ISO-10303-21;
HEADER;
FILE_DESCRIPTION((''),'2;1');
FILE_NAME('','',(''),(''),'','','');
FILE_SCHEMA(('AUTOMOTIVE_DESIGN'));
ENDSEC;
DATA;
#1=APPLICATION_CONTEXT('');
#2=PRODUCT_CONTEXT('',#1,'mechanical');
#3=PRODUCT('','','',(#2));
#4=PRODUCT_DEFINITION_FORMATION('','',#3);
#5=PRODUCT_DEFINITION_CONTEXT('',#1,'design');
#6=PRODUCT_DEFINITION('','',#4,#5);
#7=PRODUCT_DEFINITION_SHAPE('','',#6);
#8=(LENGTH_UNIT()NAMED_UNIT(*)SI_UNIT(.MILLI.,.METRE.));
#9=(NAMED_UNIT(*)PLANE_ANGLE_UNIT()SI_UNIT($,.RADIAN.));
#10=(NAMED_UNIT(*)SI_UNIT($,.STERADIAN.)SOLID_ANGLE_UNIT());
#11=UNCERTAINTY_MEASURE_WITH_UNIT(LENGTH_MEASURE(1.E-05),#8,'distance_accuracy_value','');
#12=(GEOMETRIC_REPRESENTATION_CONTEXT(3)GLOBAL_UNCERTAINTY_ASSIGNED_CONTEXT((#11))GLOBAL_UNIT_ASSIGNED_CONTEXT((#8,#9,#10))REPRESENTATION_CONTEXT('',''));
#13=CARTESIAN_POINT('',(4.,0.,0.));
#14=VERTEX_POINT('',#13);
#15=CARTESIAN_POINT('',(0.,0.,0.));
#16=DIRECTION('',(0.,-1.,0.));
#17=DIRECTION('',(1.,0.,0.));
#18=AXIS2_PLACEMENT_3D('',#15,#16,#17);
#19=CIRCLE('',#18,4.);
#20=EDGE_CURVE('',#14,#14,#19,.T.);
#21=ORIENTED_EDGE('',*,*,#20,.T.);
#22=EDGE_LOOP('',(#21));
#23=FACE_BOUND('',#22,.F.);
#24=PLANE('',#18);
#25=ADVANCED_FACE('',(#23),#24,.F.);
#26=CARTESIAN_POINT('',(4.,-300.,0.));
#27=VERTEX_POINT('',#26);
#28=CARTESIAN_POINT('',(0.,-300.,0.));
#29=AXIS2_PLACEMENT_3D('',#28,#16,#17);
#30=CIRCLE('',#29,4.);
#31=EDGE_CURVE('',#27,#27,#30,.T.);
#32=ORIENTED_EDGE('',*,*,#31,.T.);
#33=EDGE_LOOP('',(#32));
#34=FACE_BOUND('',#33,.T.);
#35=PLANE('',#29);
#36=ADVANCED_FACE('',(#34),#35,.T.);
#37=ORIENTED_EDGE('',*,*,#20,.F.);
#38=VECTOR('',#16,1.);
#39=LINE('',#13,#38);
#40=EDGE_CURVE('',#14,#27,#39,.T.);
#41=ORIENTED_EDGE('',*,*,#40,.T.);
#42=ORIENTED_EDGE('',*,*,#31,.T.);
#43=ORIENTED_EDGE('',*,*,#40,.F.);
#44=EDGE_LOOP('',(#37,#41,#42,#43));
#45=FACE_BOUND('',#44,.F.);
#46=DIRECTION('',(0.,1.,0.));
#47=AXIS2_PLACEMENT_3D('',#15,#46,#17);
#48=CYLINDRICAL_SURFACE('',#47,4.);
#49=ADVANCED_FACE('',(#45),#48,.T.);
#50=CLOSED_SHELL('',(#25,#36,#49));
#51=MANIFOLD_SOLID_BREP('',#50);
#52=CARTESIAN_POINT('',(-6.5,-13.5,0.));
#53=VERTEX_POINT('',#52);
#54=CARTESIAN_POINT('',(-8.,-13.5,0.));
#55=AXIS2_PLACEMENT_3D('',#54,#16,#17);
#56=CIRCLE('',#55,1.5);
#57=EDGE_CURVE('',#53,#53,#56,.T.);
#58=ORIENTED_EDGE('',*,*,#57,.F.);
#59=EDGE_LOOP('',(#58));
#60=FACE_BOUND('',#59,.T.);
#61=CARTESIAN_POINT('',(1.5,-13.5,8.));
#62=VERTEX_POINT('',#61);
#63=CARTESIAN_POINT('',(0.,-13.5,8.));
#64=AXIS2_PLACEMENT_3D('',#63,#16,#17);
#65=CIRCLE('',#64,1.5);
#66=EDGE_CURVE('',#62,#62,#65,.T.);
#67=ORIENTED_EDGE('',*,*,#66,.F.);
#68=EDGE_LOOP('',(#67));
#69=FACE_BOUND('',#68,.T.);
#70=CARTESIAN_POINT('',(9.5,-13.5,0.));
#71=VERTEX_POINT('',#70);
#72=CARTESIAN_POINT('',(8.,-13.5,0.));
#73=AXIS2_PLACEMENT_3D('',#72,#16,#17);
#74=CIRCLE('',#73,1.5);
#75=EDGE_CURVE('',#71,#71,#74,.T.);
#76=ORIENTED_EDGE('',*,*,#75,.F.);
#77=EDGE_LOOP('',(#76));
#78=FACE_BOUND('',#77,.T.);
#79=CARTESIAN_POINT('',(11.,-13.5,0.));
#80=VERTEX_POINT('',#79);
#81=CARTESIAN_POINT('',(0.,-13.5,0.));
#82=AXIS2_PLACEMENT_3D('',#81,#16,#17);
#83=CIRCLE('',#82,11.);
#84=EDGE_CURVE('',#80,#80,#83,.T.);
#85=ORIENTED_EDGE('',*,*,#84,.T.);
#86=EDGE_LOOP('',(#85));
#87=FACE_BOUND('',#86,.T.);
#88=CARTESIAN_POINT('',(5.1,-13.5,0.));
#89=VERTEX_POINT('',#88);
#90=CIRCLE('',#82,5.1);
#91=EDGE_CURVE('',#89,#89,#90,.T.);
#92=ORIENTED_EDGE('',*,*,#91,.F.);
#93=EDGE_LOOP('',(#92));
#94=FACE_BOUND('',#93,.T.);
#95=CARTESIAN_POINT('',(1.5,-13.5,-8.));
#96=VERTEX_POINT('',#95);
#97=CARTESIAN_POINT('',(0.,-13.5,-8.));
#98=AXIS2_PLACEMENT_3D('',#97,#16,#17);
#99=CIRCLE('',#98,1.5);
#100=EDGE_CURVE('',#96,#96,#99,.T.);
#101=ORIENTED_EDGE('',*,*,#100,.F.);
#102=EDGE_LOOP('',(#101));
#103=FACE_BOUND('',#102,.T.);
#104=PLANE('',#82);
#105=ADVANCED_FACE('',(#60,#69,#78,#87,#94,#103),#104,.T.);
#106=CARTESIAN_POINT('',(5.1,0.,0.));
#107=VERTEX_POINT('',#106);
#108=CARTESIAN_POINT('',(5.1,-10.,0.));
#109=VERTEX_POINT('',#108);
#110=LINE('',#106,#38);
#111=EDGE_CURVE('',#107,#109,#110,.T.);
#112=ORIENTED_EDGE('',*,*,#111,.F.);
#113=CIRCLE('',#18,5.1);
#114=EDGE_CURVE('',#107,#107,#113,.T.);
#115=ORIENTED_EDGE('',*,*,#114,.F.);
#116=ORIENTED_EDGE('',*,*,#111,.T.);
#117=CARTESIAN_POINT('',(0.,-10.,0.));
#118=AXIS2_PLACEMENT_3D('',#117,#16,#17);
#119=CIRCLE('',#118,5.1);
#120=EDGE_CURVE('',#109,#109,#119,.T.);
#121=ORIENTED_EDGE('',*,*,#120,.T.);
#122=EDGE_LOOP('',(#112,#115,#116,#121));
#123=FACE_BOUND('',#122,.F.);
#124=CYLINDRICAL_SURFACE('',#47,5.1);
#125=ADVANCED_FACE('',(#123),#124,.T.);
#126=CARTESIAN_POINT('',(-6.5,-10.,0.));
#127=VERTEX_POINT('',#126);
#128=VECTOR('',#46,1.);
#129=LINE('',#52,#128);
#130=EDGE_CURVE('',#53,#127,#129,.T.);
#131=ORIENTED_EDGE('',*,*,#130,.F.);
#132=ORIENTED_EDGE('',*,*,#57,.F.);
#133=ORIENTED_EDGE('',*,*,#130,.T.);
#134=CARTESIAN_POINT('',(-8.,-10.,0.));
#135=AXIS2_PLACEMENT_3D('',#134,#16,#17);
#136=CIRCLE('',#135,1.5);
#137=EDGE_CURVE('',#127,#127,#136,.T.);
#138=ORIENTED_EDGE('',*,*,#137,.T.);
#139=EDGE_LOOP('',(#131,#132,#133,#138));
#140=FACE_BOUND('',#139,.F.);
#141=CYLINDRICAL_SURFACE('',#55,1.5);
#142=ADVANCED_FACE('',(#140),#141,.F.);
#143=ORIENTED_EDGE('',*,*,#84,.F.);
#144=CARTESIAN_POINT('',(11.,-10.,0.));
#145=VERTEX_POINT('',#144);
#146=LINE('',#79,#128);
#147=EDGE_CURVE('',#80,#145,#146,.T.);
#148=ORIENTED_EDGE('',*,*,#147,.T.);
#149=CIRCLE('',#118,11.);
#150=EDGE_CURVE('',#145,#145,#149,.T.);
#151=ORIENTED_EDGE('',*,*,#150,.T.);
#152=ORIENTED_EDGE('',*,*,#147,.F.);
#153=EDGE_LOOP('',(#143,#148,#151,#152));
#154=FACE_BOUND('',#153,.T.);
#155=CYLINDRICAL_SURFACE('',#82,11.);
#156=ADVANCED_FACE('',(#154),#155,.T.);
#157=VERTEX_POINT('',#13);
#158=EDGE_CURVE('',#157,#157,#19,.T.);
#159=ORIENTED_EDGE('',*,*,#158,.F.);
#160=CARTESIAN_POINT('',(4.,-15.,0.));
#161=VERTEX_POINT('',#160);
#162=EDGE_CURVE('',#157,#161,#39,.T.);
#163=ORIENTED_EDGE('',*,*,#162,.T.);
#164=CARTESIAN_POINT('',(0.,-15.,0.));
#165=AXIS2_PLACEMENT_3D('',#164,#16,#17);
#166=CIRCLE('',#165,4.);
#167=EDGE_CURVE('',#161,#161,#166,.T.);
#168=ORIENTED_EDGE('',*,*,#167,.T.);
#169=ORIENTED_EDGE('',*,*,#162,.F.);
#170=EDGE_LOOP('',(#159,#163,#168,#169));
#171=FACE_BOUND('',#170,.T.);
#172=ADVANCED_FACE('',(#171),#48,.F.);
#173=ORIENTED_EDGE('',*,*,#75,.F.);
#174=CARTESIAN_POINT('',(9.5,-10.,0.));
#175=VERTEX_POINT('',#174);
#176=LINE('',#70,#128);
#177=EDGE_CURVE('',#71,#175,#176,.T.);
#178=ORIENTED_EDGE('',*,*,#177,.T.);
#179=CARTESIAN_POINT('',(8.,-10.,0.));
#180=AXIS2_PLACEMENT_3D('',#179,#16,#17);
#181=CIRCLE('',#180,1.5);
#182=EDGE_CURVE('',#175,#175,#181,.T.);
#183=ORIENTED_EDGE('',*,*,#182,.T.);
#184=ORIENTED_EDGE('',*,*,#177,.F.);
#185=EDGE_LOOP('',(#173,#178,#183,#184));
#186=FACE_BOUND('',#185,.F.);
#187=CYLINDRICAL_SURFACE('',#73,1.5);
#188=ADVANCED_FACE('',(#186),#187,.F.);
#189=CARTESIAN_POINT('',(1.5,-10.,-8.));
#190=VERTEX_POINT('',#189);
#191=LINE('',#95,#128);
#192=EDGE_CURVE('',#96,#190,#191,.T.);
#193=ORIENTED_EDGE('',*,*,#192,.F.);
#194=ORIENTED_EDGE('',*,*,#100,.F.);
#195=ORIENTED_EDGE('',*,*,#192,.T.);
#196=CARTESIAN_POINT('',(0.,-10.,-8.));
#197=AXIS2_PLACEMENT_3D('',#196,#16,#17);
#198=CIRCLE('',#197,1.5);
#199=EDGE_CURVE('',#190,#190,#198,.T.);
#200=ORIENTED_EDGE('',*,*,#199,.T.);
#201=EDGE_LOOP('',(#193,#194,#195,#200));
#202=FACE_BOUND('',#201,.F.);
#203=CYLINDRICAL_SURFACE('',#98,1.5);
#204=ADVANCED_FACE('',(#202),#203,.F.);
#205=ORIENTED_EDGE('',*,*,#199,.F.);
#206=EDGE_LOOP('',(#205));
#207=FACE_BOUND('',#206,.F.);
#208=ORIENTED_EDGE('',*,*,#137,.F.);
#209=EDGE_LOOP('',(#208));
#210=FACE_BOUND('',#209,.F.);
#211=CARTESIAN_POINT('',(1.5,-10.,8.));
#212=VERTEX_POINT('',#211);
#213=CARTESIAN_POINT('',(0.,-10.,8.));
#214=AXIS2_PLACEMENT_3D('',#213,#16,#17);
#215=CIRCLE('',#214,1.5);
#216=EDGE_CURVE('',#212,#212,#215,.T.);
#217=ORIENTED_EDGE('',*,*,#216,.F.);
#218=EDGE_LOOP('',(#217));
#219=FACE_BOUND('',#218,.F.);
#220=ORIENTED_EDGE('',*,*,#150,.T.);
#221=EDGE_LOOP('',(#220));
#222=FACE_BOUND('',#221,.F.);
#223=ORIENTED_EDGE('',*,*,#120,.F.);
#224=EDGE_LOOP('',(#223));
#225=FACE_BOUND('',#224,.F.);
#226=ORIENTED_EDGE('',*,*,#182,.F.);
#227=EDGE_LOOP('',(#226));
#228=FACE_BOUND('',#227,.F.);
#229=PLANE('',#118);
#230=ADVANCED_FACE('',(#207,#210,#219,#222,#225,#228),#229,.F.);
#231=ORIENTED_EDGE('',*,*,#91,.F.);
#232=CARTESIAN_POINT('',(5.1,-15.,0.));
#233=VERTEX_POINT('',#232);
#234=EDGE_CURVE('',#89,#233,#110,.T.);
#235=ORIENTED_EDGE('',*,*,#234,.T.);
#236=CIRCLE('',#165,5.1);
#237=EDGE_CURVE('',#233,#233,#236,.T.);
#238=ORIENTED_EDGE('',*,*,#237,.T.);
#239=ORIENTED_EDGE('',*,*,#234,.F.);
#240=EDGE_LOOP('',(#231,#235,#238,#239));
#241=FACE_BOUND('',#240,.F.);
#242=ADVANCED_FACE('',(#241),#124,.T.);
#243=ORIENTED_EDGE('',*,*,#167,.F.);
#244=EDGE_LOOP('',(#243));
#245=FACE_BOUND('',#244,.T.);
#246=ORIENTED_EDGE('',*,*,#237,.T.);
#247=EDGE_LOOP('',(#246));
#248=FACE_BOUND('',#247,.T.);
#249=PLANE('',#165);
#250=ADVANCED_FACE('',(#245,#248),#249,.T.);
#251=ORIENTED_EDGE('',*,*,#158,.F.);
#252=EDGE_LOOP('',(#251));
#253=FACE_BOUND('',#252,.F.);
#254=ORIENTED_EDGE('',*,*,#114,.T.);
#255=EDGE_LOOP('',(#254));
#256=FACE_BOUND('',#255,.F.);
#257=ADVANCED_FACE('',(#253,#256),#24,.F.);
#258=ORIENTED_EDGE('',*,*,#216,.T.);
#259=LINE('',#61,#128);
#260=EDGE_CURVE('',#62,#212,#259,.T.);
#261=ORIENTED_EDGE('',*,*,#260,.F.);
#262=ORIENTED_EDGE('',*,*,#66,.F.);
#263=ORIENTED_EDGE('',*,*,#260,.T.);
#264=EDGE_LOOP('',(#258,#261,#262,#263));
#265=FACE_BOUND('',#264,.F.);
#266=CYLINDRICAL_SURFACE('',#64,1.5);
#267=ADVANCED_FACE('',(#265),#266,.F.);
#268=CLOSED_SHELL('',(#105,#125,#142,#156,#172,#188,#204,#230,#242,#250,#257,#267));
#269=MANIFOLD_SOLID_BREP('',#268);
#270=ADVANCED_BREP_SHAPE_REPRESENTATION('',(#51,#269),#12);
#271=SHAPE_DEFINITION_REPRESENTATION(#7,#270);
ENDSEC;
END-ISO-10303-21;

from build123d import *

# Parameters (mm, degrees)
F0_R     = 4
F1_DEPTH = 300
F2_R     = 5.1
F2_R_2   = 4
F3_DEPTH = 15
F5_R     = 11
F5_R_2   = 1.5
F5_R_3   = 5.1
F6_DEPTH = 3.5


with BuildPart() as f1:
    # F0 (on Front) → F1 (new body)
    with BuildSketch(Plane.XZ):
        Circle(F0_R)
    extrude(amount=F1_DEPTH)


with BuildPart() as f3:
    # F2 (on Front) → F3 (new body)
    with BuildSketch(Plane.XZ):
        Circle(F2_R)
        Circle(F2_R_2, mode=Mode.SUBTRACT)
    extrude(amount=F3_DEPTH)

    # F5 (on offset) → F6 (join)
    with BuildSketch(Plane.XZ.offset(13.5)):
        Circle(F5_R)
        with Locations((0, -8)):
            Circle(F5_R_2, mode=Mode.SUBTRACT)
        with Locations((-8, 0)):
            Circle(F5_R_2, mode=Mode.SUBTRACT)
        Circle(F5_R_3, mode=Mode.SUBTRACT)
        with Locations((8, 0)):
            Circle(F5_R_2, mode=Mode.SUBTRACT)
        with Locations((0, 8)):
            Circle(F5_R_2, mode=Mode.SUBTRACT)
    extrude(amount=-F6_DEPTH)


solid = Compound([f1.part, f3.part])
